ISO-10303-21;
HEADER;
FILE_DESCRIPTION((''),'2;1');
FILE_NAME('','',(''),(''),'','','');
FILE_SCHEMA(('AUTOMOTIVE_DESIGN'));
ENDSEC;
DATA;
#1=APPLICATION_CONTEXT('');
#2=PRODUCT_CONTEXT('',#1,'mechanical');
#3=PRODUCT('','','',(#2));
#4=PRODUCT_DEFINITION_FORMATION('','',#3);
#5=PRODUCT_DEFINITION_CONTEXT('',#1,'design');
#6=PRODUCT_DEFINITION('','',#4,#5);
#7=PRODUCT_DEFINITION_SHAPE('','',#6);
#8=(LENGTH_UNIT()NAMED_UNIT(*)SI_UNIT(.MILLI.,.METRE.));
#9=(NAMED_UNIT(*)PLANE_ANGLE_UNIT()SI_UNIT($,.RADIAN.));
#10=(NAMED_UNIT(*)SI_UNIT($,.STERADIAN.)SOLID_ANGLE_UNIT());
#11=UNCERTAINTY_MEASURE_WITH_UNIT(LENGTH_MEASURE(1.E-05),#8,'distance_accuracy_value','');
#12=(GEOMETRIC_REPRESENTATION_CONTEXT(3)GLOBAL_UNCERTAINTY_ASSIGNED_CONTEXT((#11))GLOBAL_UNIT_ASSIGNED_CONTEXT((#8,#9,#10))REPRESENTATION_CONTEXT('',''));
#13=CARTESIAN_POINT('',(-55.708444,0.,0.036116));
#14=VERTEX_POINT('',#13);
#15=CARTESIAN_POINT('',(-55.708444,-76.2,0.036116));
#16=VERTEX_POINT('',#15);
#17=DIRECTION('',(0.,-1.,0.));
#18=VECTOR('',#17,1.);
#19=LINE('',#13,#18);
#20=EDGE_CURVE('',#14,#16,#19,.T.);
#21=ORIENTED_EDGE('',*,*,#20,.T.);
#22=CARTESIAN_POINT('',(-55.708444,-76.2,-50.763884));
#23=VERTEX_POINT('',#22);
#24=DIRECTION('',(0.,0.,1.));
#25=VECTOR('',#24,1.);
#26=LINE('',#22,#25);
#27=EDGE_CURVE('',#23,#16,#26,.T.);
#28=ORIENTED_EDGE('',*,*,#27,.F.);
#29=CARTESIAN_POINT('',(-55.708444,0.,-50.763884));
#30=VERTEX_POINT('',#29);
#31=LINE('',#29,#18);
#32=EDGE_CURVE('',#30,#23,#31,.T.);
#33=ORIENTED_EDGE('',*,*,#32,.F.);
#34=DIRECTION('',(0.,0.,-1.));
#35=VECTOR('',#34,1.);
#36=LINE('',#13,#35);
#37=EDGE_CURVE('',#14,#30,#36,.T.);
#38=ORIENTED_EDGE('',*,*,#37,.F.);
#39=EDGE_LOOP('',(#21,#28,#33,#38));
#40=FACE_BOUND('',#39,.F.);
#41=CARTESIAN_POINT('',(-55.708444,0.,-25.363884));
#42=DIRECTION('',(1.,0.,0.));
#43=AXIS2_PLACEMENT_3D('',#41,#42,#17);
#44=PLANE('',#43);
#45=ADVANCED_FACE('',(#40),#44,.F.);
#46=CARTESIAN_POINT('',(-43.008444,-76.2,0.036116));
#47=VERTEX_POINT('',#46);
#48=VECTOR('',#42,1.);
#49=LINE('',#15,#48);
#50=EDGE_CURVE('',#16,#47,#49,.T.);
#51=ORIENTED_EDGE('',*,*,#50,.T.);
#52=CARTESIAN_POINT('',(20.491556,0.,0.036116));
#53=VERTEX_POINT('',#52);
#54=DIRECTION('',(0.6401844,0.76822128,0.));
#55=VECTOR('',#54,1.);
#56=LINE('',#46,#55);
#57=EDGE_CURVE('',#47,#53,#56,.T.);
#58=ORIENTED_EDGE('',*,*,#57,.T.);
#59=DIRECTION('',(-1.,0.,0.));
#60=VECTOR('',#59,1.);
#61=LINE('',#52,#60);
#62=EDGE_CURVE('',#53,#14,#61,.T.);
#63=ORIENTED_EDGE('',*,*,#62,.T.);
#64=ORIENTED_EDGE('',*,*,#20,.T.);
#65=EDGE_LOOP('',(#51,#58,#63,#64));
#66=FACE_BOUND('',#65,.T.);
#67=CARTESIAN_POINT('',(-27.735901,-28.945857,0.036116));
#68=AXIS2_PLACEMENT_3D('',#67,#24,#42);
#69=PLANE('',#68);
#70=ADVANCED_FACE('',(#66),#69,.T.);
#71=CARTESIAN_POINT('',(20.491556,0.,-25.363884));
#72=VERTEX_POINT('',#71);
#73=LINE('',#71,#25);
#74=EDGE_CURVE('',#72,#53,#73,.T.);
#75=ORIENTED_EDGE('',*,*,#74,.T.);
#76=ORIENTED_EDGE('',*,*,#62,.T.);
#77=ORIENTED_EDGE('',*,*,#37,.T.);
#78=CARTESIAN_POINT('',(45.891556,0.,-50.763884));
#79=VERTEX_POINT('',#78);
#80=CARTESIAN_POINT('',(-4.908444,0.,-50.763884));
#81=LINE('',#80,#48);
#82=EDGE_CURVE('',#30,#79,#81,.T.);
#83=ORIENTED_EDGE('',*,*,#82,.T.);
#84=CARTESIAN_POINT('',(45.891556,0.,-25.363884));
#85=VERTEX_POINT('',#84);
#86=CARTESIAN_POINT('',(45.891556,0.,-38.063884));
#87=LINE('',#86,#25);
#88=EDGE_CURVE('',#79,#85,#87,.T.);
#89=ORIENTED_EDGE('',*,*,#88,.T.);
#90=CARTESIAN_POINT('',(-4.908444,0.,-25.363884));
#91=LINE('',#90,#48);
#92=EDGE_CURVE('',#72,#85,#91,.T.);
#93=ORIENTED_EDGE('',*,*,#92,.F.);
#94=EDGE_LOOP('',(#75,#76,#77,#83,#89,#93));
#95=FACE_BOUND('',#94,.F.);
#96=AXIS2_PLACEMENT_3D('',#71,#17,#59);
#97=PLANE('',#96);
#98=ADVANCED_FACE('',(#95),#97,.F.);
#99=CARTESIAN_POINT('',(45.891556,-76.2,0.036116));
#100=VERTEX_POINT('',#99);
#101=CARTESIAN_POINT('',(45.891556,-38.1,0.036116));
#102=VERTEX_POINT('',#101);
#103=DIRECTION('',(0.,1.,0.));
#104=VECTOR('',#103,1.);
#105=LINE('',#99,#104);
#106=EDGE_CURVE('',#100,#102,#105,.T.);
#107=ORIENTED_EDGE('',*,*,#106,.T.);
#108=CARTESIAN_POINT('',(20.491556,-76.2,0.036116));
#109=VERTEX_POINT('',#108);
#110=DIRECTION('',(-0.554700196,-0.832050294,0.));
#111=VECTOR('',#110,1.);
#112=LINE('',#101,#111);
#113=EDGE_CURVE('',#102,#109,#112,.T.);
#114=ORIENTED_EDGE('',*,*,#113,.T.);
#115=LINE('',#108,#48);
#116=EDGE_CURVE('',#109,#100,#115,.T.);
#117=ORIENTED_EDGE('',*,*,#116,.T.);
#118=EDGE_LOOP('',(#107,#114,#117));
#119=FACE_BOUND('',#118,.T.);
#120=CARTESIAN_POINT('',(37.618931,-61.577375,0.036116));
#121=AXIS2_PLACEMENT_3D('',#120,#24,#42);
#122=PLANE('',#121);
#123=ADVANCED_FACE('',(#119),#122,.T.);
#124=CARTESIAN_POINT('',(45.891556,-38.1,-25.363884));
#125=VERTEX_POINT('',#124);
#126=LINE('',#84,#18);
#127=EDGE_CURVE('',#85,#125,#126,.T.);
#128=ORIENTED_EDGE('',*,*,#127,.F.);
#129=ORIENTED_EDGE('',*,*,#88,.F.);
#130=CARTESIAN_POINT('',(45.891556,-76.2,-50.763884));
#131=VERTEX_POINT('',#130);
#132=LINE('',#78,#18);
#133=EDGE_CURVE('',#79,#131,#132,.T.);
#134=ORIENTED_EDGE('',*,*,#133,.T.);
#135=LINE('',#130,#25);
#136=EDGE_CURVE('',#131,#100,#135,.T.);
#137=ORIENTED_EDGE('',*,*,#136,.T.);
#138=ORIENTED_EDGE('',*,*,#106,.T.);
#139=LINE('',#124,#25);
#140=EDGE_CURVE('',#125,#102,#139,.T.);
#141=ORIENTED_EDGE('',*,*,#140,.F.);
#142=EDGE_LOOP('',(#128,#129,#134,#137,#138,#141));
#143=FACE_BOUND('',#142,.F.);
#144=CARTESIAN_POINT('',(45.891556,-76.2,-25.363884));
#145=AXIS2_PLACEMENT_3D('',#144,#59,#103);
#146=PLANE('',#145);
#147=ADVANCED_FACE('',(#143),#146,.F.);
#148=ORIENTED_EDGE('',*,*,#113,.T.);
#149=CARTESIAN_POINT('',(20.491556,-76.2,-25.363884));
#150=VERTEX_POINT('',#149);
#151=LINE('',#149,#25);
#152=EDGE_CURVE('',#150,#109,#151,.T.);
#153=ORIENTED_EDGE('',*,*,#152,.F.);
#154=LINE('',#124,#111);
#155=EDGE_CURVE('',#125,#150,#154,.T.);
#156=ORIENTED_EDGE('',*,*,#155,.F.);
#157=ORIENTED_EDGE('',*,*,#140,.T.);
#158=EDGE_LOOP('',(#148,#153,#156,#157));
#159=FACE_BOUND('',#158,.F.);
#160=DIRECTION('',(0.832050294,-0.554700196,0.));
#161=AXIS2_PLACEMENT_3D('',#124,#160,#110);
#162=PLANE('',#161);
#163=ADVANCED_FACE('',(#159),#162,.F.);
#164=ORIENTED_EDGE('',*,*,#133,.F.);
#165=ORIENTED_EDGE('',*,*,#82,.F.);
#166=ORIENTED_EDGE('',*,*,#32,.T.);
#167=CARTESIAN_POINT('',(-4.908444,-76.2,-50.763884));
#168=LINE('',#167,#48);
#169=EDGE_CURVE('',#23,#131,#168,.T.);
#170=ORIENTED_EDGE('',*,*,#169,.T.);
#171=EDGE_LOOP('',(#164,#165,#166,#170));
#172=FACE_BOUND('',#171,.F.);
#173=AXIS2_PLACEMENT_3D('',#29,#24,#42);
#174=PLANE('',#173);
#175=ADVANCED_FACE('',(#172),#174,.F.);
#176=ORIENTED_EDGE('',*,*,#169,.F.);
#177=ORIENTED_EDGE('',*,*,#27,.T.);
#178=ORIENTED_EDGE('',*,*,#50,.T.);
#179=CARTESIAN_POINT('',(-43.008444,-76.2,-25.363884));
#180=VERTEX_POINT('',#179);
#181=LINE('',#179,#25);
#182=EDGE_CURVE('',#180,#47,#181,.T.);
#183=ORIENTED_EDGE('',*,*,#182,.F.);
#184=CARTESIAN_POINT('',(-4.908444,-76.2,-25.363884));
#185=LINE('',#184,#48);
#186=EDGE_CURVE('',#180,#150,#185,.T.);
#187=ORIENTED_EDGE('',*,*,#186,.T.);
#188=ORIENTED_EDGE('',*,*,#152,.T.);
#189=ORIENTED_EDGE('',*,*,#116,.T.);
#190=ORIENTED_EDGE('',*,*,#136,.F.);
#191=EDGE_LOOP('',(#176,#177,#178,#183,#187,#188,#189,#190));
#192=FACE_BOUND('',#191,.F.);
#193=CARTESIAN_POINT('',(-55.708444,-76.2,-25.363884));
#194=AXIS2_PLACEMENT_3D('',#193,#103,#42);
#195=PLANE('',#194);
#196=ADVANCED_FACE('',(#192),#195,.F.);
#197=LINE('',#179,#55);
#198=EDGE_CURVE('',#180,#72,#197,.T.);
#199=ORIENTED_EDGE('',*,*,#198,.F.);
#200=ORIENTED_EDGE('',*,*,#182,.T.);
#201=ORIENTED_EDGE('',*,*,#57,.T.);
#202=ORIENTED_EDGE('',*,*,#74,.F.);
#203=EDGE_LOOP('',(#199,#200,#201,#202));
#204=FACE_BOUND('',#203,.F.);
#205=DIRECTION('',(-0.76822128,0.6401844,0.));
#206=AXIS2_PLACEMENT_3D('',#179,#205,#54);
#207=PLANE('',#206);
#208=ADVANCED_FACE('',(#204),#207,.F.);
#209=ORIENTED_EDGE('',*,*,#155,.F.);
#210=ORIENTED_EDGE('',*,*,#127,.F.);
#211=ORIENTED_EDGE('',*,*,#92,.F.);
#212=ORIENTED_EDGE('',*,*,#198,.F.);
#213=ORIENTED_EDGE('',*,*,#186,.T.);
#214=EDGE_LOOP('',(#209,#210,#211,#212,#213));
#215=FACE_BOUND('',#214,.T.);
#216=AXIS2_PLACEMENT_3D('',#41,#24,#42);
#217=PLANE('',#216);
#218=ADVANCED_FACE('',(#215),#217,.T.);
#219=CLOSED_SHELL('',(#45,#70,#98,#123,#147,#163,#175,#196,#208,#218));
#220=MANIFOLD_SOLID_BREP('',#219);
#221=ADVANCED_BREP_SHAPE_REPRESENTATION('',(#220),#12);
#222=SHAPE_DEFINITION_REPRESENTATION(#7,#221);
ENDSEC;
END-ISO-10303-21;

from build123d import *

# Parameters (mm, degrees)
F0_W     = 101.6
F0_H     = 25.4
F1_DEPTH = 76.2
F3_DEPTH = 25.4
F5_DEPTH = 25.4


with BuildPart() as f1:
    # F0 (on Front) → F1 (new body)
    with BuildSketch(Plane.XZ):
        with Locations((-4.908444, -38.063884)):
            Rectangle(F0_W, F0_H)
    extrude(amount=F1_DEPTH)

    # F2 (on face) → F3 (join)
    with BuildSketch(Plane.XY.offset(-25.363884)):
        Polygon((20.491556, -76.2), (45.891556, -76.2), (45.891556, -38.1), align=None)
    extrude(amount=F3_DEPTH)

    # F4 (on face) → F5 (join)
    with BuildSketch(Plane.XY.offset(-25.363884)):
        Polygon((-55.708444, 0), (-55.708444, -76.2), (-43.008444, -76.2), (20.491556, 0), align=None)
    extrude(amount=F5_DEPTH)


solid = f1.part
